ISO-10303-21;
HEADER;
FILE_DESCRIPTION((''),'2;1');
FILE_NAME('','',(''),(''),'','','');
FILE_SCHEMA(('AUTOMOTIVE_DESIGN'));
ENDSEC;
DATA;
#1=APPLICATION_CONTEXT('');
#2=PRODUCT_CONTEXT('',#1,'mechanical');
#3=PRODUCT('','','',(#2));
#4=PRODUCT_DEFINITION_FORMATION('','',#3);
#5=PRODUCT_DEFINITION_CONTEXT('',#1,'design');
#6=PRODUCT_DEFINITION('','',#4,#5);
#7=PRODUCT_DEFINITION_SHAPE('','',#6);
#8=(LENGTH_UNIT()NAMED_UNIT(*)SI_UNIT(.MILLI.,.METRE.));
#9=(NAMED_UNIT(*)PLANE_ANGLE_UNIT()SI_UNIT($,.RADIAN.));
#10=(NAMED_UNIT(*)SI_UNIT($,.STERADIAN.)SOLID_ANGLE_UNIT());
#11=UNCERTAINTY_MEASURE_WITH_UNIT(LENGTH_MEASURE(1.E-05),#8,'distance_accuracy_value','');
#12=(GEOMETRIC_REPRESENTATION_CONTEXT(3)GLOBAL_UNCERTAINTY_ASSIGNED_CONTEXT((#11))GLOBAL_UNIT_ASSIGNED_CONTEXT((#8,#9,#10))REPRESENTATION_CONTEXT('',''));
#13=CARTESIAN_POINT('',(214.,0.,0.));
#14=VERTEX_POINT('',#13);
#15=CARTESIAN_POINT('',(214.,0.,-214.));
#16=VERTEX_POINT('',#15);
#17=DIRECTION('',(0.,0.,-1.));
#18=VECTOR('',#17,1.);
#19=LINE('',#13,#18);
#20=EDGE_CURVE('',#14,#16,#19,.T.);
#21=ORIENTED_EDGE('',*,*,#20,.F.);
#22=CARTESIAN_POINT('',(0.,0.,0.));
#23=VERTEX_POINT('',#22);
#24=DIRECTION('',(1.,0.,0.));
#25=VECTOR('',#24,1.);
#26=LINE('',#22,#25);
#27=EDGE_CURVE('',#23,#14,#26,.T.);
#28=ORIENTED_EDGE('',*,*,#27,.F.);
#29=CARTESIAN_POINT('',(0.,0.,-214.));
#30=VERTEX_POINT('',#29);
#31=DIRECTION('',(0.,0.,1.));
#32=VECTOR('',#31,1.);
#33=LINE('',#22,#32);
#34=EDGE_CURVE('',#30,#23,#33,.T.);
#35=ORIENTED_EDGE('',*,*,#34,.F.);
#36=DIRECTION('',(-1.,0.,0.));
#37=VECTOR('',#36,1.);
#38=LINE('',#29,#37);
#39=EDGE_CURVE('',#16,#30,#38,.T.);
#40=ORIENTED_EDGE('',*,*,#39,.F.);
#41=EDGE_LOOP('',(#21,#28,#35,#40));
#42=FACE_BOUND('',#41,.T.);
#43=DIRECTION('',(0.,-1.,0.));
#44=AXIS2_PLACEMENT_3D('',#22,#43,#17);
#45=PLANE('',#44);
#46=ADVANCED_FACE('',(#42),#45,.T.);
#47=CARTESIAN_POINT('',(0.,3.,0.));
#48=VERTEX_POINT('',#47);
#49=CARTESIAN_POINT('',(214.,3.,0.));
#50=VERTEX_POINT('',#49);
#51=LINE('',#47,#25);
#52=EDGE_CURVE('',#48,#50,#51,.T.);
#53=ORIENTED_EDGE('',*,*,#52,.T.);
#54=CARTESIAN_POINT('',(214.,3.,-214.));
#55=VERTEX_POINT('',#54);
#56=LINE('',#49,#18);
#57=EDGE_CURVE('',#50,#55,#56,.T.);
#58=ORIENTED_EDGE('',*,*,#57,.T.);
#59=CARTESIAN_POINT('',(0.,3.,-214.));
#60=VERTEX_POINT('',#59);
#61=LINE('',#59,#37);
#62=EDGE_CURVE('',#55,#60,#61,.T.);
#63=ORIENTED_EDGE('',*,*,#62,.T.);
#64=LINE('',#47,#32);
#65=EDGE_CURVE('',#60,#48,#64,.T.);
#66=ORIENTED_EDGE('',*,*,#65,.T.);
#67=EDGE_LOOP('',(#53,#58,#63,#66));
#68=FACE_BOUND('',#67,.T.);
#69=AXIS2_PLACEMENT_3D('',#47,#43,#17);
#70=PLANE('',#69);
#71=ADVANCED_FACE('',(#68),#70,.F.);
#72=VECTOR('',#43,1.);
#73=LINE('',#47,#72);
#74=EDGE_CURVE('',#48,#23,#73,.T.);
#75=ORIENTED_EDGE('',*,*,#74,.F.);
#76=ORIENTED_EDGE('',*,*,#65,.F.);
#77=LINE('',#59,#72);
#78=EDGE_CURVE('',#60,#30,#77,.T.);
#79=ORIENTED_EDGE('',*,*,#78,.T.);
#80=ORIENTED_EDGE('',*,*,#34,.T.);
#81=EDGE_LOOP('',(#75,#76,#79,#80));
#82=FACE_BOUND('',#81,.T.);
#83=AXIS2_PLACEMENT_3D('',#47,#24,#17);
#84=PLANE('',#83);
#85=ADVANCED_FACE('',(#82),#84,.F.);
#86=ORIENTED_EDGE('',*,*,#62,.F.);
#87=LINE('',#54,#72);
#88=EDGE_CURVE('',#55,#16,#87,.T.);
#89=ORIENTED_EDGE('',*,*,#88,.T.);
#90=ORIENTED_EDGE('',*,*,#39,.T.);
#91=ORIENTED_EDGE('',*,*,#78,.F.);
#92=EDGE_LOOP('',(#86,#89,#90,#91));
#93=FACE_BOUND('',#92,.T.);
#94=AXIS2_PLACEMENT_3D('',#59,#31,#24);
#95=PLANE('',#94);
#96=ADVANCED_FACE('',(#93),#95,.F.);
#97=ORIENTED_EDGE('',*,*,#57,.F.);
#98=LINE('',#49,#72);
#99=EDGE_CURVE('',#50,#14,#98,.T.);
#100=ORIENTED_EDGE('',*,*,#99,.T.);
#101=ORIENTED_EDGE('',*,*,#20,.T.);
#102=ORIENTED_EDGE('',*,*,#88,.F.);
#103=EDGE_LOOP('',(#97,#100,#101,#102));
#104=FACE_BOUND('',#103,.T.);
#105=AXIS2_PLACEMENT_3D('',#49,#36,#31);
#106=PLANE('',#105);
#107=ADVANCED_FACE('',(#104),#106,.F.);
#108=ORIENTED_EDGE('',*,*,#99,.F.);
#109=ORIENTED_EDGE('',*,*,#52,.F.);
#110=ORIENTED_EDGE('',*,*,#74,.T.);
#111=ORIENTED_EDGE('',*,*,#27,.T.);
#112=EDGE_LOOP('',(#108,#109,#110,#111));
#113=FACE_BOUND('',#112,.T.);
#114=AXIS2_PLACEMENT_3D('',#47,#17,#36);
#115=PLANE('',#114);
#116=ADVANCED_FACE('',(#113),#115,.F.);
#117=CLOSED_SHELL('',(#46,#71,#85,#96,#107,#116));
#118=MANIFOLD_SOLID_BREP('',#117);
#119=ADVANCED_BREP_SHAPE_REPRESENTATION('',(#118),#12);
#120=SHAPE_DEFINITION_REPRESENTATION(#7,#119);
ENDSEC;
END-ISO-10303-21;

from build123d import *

# Parameters (mm, degrees)
ESBO_O1_W                = 214
ESBO_O1_H                = 214
RESSALTO_EXTRUS_O1_DEPTH = 3


with BuildPart() as part:
    # Esboço1 → Ressalto-extrusão1 (new body)
    with BuildSketch(Plane(origin=(0, 0, 0), x_dir=(1, 0, 0), z_dir=(0, 1, 0))):
        with Locations((107, 107)):
            Rectangle(ESBO_O1_W, ESBO_O1_H)
    extrude(amount=RESSALTO_EXTRUS_O1_DEPTH)


solid = part.part
